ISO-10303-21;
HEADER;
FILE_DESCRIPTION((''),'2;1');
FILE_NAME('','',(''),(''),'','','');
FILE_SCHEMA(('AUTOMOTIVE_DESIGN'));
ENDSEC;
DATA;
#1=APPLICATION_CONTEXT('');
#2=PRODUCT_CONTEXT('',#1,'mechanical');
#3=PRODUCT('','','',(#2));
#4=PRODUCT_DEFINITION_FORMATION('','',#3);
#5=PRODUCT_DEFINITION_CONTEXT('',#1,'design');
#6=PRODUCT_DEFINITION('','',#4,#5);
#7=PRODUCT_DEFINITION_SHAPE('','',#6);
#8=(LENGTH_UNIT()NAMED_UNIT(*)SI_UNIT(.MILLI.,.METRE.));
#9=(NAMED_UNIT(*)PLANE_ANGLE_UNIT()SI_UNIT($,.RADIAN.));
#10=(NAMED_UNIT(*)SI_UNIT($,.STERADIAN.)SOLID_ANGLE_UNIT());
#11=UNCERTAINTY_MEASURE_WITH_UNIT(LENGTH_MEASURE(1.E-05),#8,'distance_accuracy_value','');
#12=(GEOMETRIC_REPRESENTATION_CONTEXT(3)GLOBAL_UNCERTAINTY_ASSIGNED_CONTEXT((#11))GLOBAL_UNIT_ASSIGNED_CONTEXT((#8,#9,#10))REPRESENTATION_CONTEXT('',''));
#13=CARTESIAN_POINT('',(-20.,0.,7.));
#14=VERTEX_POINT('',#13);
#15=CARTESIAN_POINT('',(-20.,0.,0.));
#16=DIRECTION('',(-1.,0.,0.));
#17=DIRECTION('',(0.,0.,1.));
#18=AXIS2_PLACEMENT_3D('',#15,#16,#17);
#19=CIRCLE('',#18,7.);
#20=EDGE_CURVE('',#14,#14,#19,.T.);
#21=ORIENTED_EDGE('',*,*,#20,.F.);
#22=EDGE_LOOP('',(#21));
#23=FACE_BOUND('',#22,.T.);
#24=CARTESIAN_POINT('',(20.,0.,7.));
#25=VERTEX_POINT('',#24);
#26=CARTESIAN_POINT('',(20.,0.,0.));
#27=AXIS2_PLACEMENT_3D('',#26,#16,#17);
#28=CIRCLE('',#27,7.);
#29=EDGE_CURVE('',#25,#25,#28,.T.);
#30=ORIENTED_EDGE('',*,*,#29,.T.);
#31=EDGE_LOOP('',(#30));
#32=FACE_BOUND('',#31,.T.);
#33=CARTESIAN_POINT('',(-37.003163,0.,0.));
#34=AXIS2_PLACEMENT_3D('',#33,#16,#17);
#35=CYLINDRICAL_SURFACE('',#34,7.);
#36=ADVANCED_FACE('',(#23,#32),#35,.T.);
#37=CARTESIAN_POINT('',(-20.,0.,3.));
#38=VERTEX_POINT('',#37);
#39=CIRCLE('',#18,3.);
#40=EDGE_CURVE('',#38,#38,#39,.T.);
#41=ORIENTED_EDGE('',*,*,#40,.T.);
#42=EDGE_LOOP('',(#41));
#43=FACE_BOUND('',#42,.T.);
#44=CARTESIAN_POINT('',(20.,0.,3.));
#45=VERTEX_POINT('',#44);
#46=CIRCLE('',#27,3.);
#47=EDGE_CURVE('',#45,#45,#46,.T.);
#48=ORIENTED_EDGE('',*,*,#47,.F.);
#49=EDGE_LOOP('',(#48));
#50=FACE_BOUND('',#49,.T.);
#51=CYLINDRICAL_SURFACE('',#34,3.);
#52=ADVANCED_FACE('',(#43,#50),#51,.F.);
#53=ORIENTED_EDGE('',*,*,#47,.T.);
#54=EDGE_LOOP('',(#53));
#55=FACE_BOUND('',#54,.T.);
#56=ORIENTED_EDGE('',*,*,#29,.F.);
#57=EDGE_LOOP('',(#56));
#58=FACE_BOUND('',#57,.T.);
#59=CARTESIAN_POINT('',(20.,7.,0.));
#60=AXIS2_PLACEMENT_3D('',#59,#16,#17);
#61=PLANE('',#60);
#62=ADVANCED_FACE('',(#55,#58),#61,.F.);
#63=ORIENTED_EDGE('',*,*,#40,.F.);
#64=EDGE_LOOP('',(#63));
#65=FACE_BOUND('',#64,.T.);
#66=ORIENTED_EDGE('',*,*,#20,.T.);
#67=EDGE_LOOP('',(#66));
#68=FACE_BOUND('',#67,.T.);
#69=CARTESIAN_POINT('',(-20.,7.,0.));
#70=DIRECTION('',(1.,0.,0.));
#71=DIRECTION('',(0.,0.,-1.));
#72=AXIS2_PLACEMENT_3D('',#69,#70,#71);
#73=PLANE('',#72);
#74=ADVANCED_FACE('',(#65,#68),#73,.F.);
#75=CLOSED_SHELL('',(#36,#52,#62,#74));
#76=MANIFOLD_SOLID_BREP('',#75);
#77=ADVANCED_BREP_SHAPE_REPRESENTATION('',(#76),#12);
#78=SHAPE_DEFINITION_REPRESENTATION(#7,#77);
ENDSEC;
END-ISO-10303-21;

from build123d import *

# Parameters (mm, degrees)
SKETCH1_W = 40
SKETCH1_H = 4


with BuildPart() as part:
    # Sketch1 → Revolve1 (revolve)
    with BuildSketch(Plane.XY):
        with Locations((0, 5)):
            Rectangle(SKETCH1_W, SKETCH1_H)
    revolve(axis=Axis((-37.003163219, 0, 0), (1, 0, 0)))


solid = part.part
